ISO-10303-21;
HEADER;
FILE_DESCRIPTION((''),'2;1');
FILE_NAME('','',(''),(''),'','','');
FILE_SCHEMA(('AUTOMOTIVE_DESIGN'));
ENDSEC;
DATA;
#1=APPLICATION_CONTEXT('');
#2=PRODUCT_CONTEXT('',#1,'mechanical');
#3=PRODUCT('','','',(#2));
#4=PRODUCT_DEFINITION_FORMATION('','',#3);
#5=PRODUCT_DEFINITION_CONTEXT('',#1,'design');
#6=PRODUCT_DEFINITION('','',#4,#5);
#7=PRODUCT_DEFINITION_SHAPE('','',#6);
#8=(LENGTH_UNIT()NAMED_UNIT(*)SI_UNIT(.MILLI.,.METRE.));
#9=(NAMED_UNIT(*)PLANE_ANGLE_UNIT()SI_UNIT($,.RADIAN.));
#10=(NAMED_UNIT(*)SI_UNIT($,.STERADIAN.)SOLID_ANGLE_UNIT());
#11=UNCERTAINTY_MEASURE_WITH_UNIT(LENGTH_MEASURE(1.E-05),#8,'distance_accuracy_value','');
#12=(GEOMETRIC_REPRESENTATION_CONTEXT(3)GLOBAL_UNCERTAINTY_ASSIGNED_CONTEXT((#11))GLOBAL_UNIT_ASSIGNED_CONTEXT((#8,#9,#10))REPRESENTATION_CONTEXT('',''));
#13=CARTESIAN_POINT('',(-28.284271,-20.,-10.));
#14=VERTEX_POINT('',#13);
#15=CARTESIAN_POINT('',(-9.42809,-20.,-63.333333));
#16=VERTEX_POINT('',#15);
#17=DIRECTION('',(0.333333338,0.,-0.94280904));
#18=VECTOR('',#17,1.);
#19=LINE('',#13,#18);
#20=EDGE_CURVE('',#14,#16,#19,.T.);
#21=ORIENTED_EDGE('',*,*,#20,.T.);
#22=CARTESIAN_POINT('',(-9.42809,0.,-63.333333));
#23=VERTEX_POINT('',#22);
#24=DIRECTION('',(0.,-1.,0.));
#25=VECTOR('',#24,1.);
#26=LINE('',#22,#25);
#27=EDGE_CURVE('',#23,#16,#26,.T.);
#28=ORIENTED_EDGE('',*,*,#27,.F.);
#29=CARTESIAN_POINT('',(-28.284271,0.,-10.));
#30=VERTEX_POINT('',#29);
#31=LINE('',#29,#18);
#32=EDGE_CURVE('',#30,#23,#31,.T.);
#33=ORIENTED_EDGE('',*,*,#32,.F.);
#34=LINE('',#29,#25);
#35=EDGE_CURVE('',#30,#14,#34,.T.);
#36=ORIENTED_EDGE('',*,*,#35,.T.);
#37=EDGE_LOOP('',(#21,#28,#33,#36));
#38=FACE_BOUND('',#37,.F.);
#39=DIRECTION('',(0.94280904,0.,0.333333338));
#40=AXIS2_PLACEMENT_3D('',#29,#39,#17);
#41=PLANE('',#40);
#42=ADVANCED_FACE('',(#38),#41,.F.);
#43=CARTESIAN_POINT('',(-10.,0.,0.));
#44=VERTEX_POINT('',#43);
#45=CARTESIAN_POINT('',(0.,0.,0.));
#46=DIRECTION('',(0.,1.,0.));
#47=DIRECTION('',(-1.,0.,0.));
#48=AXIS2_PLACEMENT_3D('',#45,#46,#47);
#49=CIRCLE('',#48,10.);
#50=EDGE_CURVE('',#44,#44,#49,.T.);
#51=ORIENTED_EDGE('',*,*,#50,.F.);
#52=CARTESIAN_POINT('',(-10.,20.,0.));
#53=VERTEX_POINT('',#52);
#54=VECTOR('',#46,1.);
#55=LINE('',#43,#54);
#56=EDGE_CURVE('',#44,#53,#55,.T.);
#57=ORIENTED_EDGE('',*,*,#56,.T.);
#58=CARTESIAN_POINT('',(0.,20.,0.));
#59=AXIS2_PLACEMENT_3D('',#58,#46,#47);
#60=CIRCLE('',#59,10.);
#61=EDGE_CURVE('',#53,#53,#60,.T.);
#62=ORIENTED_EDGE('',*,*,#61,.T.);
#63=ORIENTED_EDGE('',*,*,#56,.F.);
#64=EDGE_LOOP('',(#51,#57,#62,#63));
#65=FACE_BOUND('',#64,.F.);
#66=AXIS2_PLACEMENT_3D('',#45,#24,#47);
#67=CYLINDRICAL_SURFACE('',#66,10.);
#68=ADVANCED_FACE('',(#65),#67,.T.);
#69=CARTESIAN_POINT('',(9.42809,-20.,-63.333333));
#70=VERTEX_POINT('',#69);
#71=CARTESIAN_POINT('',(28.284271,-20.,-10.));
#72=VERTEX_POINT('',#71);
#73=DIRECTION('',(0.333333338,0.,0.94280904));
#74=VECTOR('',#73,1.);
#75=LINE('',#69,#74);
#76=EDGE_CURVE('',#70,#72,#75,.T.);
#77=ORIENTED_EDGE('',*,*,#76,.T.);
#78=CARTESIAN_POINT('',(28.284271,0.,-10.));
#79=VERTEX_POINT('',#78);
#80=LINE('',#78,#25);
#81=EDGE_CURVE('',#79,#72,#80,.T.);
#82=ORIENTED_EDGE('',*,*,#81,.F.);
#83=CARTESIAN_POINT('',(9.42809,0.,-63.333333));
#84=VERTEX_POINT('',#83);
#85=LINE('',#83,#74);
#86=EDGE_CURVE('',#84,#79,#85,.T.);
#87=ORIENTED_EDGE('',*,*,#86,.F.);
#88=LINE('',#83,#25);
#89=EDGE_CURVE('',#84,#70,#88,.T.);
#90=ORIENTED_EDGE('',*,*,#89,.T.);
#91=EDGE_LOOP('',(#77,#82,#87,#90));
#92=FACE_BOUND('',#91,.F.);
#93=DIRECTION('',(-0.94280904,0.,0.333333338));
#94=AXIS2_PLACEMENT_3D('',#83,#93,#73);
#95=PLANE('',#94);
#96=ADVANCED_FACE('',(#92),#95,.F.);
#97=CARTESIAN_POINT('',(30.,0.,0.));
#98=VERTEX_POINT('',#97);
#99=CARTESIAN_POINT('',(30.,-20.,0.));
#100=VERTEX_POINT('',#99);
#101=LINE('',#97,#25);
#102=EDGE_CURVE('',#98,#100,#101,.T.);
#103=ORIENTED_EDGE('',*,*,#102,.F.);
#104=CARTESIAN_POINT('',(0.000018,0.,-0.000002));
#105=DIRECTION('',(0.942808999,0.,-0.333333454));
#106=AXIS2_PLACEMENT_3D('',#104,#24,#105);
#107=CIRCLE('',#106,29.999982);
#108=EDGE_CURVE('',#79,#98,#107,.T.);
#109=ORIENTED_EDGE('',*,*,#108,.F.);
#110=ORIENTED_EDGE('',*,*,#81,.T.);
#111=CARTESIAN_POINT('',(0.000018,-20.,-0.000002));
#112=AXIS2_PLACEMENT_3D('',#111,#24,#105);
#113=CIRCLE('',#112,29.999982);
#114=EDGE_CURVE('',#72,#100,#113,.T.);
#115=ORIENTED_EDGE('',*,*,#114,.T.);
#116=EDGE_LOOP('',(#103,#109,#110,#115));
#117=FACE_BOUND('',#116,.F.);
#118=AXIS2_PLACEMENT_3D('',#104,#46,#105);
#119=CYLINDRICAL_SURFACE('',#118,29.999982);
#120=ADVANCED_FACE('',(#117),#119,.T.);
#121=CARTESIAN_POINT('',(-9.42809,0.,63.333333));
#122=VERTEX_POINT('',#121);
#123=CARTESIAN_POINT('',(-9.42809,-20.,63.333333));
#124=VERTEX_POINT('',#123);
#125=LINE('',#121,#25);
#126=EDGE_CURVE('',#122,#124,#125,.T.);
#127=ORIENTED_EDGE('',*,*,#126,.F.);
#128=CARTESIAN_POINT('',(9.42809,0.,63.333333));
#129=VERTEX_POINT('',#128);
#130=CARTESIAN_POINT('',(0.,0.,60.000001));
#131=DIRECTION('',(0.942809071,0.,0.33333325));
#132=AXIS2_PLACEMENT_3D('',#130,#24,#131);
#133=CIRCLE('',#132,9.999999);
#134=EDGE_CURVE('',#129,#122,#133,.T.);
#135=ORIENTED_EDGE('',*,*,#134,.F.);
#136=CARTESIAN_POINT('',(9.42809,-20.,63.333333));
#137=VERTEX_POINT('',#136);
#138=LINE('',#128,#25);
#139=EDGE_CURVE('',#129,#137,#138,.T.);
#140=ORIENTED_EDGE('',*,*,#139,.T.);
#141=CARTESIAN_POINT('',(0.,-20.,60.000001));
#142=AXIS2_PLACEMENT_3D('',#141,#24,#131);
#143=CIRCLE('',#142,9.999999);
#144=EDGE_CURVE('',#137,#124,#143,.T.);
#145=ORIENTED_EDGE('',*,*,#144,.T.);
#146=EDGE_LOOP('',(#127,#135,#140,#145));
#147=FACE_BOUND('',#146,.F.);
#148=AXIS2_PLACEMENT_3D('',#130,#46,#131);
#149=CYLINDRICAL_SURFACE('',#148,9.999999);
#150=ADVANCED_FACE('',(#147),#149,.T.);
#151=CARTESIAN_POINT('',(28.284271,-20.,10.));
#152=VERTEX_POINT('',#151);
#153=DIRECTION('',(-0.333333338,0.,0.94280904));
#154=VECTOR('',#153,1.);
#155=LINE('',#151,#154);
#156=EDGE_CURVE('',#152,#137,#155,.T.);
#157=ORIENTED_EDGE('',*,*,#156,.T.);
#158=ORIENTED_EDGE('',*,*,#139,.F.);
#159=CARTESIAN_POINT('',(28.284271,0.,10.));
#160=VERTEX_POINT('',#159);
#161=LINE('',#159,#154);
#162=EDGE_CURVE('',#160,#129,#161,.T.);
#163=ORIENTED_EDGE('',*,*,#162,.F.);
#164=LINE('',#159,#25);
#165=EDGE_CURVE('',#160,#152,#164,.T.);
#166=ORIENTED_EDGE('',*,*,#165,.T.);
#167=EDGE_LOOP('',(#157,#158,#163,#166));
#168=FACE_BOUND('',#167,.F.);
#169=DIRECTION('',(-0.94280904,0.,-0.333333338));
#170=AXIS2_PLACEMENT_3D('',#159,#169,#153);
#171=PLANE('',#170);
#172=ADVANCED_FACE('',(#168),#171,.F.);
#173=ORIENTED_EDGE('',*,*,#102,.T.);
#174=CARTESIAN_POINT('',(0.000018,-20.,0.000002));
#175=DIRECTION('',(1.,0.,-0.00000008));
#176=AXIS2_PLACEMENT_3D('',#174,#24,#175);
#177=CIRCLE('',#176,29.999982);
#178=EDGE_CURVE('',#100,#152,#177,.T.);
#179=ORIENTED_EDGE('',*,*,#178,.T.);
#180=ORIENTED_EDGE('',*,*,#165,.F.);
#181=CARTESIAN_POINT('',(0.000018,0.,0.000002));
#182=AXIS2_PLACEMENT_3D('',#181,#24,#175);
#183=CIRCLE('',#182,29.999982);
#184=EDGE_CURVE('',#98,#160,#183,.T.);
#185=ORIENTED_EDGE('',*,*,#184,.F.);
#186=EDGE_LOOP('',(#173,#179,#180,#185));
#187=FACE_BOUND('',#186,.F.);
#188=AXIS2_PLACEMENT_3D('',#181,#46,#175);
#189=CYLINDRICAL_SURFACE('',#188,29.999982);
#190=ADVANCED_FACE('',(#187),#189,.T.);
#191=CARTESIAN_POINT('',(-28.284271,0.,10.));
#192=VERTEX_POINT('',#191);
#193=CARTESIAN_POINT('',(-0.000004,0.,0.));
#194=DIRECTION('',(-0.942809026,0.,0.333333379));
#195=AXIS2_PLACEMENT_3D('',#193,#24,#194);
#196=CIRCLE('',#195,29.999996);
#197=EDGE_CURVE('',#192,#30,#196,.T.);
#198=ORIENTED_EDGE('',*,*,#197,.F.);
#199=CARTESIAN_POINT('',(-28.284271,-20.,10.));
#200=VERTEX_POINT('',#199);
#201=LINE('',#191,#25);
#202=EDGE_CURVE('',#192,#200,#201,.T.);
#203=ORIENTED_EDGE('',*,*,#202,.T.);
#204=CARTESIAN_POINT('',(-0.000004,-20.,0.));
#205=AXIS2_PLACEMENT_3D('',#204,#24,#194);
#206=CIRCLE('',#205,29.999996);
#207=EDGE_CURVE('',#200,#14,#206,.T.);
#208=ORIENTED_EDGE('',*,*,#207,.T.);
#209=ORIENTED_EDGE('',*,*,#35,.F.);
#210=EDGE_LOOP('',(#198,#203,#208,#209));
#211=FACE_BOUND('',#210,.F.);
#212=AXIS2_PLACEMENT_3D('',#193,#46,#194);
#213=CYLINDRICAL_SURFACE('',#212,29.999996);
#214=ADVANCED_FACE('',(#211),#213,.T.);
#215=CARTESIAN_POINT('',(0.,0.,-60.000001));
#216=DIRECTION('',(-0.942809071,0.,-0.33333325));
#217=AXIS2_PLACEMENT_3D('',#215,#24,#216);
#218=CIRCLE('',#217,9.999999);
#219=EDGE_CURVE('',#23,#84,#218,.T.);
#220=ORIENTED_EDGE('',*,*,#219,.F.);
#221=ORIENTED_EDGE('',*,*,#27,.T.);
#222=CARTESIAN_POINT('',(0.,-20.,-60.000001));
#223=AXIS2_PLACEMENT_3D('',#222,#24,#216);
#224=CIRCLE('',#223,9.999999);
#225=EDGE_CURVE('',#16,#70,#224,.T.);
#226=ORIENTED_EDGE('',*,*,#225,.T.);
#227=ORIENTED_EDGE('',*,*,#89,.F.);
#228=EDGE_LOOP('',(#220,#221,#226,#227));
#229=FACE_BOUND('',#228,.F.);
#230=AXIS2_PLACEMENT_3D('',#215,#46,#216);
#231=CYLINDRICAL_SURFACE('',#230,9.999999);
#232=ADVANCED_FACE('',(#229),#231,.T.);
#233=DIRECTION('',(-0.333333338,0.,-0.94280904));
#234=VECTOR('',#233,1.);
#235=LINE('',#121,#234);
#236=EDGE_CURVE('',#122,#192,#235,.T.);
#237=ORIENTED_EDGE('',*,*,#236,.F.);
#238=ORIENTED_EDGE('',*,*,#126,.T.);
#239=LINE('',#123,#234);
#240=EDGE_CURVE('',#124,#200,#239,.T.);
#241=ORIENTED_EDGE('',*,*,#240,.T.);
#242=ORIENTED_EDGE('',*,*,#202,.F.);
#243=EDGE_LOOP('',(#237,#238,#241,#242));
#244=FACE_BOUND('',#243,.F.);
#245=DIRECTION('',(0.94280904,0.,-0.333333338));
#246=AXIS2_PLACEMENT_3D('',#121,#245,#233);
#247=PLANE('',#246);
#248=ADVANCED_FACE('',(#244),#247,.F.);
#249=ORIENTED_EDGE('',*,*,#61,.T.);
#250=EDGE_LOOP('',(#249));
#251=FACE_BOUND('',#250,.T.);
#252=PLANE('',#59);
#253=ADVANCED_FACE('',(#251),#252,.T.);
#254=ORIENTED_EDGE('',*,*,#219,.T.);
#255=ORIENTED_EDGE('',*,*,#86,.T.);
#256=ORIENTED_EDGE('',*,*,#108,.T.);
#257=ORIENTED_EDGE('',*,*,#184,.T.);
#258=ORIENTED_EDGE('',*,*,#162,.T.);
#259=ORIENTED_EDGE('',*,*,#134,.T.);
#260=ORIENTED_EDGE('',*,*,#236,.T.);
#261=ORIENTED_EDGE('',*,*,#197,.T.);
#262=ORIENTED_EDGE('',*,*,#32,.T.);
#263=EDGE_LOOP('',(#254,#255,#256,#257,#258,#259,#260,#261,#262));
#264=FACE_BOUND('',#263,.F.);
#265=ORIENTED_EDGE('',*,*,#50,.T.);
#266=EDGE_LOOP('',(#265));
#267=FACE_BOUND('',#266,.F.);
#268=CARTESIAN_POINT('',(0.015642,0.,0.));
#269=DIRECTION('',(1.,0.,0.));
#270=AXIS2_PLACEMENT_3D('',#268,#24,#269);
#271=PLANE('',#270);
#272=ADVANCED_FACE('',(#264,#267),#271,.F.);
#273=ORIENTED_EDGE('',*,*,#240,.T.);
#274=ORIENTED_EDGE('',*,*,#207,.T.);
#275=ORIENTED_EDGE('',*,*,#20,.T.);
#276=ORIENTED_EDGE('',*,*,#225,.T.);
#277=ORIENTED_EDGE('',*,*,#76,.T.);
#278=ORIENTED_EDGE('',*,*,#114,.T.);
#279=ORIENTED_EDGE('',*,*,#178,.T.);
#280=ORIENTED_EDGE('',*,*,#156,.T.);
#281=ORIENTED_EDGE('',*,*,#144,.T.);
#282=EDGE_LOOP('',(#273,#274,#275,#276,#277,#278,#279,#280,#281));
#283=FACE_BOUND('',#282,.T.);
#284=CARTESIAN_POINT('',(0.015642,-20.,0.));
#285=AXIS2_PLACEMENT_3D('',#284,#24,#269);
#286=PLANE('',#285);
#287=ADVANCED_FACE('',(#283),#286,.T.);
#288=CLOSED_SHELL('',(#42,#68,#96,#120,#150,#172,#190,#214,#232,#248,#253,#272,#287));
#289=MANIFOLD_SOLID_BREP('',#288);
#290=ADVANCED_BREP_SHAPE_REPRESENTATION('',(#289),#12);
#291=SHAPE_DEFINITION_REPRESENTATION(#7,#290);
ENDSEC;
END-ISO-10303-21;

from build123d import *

# Parameters (mm, degrees)
F1_DEPTH = 20
F2_R     = 10
F3_DEPTH = 20


with BuildPart() as f1:
    # F0 (on Front) → F1 (new body)
    with BuildSketch(Plane.XZ):
        with BuildLine():
            ThreePointArc((28.284271, -10), (29.567957, -5.073059), (30, 0))
            ThreePointArc((30, 0), (29.567957, 5.073059), (28.284271, 10))
            ThreePointArc((28.284271, 10), (0, 30), (-28.284271, 10))
            ThreePointArc((-28.284271, 10), (-30, 0), (-28.284271, -10))
            ThreePointArc((-28.284271, -10), (0, -30), (28.284271, -10))
        make_face()
        with BuildLine():
            ThreePointArc((-28.284271, 10), (0, 30), (28.284271, 10))
            Line((28.284271, 10), (9.42809, 63.333333))
            ThreePointArc((9.42809, 63.333333), (9.855986, 61.69102), (10, 60))
            ThreePointArc((10, 60), (-1.69102, 50.144014), (-9.42809, 63.333333))
            Line((-9.42809, 63.333333), (-28.284271, 10))
        make_face()
        with BuildLine():
            Line((9.42809, -63.333333), (28.284271, -10))
            ThreePointArc((28.284271, -10), (0, -30), (-28.284271, -10))
            Line((-28.284271, -10), (-9.42809, -63.333333))
            ThreePointArc((-9.42809, -63.333333), (-1.69102, -50.144014), (10, -60))
            ThreePointArc((10, -60), (9.855986, -61.69102), (9.42809, -63.333333))
        make_face()
        with BuildLine():
            ThreePointArc((10, 60), (9.855986, 61.69102), (9.42809, 63.333333))
            ThreePointArc((9.42809, 63.333333), (0, 70), (-9.42809, 63.333333))
            ThreePointArc((-9.42809, 63.333333), (-1.69102, 50.144014), (10, 60))
        make_face()
        with BuildLine():
            ThreePointArc((-9.42809, -63.333333), (0, -70), (9.42809, -63.333333))
            ThreePointArc((9.42809, -63.333333), (9.855986, -61.69102), (10, -60))
            ThreePointArc((10, -60), (-1.69102, -50.144014), (-9.42809, -63.333333))
        make_face()
    extrude(amount=F1_DEPTH)

    # F2 (on face) → F3 (join)
    with BuildSketch(Plane(origin=(0, 0, 0), x_dir=(-1, 0, 0), z_dir=(0, 1, 0))):
        Circle(F2_R)
    extrude(amount=F3_DEPTH)


solid = f1.part
